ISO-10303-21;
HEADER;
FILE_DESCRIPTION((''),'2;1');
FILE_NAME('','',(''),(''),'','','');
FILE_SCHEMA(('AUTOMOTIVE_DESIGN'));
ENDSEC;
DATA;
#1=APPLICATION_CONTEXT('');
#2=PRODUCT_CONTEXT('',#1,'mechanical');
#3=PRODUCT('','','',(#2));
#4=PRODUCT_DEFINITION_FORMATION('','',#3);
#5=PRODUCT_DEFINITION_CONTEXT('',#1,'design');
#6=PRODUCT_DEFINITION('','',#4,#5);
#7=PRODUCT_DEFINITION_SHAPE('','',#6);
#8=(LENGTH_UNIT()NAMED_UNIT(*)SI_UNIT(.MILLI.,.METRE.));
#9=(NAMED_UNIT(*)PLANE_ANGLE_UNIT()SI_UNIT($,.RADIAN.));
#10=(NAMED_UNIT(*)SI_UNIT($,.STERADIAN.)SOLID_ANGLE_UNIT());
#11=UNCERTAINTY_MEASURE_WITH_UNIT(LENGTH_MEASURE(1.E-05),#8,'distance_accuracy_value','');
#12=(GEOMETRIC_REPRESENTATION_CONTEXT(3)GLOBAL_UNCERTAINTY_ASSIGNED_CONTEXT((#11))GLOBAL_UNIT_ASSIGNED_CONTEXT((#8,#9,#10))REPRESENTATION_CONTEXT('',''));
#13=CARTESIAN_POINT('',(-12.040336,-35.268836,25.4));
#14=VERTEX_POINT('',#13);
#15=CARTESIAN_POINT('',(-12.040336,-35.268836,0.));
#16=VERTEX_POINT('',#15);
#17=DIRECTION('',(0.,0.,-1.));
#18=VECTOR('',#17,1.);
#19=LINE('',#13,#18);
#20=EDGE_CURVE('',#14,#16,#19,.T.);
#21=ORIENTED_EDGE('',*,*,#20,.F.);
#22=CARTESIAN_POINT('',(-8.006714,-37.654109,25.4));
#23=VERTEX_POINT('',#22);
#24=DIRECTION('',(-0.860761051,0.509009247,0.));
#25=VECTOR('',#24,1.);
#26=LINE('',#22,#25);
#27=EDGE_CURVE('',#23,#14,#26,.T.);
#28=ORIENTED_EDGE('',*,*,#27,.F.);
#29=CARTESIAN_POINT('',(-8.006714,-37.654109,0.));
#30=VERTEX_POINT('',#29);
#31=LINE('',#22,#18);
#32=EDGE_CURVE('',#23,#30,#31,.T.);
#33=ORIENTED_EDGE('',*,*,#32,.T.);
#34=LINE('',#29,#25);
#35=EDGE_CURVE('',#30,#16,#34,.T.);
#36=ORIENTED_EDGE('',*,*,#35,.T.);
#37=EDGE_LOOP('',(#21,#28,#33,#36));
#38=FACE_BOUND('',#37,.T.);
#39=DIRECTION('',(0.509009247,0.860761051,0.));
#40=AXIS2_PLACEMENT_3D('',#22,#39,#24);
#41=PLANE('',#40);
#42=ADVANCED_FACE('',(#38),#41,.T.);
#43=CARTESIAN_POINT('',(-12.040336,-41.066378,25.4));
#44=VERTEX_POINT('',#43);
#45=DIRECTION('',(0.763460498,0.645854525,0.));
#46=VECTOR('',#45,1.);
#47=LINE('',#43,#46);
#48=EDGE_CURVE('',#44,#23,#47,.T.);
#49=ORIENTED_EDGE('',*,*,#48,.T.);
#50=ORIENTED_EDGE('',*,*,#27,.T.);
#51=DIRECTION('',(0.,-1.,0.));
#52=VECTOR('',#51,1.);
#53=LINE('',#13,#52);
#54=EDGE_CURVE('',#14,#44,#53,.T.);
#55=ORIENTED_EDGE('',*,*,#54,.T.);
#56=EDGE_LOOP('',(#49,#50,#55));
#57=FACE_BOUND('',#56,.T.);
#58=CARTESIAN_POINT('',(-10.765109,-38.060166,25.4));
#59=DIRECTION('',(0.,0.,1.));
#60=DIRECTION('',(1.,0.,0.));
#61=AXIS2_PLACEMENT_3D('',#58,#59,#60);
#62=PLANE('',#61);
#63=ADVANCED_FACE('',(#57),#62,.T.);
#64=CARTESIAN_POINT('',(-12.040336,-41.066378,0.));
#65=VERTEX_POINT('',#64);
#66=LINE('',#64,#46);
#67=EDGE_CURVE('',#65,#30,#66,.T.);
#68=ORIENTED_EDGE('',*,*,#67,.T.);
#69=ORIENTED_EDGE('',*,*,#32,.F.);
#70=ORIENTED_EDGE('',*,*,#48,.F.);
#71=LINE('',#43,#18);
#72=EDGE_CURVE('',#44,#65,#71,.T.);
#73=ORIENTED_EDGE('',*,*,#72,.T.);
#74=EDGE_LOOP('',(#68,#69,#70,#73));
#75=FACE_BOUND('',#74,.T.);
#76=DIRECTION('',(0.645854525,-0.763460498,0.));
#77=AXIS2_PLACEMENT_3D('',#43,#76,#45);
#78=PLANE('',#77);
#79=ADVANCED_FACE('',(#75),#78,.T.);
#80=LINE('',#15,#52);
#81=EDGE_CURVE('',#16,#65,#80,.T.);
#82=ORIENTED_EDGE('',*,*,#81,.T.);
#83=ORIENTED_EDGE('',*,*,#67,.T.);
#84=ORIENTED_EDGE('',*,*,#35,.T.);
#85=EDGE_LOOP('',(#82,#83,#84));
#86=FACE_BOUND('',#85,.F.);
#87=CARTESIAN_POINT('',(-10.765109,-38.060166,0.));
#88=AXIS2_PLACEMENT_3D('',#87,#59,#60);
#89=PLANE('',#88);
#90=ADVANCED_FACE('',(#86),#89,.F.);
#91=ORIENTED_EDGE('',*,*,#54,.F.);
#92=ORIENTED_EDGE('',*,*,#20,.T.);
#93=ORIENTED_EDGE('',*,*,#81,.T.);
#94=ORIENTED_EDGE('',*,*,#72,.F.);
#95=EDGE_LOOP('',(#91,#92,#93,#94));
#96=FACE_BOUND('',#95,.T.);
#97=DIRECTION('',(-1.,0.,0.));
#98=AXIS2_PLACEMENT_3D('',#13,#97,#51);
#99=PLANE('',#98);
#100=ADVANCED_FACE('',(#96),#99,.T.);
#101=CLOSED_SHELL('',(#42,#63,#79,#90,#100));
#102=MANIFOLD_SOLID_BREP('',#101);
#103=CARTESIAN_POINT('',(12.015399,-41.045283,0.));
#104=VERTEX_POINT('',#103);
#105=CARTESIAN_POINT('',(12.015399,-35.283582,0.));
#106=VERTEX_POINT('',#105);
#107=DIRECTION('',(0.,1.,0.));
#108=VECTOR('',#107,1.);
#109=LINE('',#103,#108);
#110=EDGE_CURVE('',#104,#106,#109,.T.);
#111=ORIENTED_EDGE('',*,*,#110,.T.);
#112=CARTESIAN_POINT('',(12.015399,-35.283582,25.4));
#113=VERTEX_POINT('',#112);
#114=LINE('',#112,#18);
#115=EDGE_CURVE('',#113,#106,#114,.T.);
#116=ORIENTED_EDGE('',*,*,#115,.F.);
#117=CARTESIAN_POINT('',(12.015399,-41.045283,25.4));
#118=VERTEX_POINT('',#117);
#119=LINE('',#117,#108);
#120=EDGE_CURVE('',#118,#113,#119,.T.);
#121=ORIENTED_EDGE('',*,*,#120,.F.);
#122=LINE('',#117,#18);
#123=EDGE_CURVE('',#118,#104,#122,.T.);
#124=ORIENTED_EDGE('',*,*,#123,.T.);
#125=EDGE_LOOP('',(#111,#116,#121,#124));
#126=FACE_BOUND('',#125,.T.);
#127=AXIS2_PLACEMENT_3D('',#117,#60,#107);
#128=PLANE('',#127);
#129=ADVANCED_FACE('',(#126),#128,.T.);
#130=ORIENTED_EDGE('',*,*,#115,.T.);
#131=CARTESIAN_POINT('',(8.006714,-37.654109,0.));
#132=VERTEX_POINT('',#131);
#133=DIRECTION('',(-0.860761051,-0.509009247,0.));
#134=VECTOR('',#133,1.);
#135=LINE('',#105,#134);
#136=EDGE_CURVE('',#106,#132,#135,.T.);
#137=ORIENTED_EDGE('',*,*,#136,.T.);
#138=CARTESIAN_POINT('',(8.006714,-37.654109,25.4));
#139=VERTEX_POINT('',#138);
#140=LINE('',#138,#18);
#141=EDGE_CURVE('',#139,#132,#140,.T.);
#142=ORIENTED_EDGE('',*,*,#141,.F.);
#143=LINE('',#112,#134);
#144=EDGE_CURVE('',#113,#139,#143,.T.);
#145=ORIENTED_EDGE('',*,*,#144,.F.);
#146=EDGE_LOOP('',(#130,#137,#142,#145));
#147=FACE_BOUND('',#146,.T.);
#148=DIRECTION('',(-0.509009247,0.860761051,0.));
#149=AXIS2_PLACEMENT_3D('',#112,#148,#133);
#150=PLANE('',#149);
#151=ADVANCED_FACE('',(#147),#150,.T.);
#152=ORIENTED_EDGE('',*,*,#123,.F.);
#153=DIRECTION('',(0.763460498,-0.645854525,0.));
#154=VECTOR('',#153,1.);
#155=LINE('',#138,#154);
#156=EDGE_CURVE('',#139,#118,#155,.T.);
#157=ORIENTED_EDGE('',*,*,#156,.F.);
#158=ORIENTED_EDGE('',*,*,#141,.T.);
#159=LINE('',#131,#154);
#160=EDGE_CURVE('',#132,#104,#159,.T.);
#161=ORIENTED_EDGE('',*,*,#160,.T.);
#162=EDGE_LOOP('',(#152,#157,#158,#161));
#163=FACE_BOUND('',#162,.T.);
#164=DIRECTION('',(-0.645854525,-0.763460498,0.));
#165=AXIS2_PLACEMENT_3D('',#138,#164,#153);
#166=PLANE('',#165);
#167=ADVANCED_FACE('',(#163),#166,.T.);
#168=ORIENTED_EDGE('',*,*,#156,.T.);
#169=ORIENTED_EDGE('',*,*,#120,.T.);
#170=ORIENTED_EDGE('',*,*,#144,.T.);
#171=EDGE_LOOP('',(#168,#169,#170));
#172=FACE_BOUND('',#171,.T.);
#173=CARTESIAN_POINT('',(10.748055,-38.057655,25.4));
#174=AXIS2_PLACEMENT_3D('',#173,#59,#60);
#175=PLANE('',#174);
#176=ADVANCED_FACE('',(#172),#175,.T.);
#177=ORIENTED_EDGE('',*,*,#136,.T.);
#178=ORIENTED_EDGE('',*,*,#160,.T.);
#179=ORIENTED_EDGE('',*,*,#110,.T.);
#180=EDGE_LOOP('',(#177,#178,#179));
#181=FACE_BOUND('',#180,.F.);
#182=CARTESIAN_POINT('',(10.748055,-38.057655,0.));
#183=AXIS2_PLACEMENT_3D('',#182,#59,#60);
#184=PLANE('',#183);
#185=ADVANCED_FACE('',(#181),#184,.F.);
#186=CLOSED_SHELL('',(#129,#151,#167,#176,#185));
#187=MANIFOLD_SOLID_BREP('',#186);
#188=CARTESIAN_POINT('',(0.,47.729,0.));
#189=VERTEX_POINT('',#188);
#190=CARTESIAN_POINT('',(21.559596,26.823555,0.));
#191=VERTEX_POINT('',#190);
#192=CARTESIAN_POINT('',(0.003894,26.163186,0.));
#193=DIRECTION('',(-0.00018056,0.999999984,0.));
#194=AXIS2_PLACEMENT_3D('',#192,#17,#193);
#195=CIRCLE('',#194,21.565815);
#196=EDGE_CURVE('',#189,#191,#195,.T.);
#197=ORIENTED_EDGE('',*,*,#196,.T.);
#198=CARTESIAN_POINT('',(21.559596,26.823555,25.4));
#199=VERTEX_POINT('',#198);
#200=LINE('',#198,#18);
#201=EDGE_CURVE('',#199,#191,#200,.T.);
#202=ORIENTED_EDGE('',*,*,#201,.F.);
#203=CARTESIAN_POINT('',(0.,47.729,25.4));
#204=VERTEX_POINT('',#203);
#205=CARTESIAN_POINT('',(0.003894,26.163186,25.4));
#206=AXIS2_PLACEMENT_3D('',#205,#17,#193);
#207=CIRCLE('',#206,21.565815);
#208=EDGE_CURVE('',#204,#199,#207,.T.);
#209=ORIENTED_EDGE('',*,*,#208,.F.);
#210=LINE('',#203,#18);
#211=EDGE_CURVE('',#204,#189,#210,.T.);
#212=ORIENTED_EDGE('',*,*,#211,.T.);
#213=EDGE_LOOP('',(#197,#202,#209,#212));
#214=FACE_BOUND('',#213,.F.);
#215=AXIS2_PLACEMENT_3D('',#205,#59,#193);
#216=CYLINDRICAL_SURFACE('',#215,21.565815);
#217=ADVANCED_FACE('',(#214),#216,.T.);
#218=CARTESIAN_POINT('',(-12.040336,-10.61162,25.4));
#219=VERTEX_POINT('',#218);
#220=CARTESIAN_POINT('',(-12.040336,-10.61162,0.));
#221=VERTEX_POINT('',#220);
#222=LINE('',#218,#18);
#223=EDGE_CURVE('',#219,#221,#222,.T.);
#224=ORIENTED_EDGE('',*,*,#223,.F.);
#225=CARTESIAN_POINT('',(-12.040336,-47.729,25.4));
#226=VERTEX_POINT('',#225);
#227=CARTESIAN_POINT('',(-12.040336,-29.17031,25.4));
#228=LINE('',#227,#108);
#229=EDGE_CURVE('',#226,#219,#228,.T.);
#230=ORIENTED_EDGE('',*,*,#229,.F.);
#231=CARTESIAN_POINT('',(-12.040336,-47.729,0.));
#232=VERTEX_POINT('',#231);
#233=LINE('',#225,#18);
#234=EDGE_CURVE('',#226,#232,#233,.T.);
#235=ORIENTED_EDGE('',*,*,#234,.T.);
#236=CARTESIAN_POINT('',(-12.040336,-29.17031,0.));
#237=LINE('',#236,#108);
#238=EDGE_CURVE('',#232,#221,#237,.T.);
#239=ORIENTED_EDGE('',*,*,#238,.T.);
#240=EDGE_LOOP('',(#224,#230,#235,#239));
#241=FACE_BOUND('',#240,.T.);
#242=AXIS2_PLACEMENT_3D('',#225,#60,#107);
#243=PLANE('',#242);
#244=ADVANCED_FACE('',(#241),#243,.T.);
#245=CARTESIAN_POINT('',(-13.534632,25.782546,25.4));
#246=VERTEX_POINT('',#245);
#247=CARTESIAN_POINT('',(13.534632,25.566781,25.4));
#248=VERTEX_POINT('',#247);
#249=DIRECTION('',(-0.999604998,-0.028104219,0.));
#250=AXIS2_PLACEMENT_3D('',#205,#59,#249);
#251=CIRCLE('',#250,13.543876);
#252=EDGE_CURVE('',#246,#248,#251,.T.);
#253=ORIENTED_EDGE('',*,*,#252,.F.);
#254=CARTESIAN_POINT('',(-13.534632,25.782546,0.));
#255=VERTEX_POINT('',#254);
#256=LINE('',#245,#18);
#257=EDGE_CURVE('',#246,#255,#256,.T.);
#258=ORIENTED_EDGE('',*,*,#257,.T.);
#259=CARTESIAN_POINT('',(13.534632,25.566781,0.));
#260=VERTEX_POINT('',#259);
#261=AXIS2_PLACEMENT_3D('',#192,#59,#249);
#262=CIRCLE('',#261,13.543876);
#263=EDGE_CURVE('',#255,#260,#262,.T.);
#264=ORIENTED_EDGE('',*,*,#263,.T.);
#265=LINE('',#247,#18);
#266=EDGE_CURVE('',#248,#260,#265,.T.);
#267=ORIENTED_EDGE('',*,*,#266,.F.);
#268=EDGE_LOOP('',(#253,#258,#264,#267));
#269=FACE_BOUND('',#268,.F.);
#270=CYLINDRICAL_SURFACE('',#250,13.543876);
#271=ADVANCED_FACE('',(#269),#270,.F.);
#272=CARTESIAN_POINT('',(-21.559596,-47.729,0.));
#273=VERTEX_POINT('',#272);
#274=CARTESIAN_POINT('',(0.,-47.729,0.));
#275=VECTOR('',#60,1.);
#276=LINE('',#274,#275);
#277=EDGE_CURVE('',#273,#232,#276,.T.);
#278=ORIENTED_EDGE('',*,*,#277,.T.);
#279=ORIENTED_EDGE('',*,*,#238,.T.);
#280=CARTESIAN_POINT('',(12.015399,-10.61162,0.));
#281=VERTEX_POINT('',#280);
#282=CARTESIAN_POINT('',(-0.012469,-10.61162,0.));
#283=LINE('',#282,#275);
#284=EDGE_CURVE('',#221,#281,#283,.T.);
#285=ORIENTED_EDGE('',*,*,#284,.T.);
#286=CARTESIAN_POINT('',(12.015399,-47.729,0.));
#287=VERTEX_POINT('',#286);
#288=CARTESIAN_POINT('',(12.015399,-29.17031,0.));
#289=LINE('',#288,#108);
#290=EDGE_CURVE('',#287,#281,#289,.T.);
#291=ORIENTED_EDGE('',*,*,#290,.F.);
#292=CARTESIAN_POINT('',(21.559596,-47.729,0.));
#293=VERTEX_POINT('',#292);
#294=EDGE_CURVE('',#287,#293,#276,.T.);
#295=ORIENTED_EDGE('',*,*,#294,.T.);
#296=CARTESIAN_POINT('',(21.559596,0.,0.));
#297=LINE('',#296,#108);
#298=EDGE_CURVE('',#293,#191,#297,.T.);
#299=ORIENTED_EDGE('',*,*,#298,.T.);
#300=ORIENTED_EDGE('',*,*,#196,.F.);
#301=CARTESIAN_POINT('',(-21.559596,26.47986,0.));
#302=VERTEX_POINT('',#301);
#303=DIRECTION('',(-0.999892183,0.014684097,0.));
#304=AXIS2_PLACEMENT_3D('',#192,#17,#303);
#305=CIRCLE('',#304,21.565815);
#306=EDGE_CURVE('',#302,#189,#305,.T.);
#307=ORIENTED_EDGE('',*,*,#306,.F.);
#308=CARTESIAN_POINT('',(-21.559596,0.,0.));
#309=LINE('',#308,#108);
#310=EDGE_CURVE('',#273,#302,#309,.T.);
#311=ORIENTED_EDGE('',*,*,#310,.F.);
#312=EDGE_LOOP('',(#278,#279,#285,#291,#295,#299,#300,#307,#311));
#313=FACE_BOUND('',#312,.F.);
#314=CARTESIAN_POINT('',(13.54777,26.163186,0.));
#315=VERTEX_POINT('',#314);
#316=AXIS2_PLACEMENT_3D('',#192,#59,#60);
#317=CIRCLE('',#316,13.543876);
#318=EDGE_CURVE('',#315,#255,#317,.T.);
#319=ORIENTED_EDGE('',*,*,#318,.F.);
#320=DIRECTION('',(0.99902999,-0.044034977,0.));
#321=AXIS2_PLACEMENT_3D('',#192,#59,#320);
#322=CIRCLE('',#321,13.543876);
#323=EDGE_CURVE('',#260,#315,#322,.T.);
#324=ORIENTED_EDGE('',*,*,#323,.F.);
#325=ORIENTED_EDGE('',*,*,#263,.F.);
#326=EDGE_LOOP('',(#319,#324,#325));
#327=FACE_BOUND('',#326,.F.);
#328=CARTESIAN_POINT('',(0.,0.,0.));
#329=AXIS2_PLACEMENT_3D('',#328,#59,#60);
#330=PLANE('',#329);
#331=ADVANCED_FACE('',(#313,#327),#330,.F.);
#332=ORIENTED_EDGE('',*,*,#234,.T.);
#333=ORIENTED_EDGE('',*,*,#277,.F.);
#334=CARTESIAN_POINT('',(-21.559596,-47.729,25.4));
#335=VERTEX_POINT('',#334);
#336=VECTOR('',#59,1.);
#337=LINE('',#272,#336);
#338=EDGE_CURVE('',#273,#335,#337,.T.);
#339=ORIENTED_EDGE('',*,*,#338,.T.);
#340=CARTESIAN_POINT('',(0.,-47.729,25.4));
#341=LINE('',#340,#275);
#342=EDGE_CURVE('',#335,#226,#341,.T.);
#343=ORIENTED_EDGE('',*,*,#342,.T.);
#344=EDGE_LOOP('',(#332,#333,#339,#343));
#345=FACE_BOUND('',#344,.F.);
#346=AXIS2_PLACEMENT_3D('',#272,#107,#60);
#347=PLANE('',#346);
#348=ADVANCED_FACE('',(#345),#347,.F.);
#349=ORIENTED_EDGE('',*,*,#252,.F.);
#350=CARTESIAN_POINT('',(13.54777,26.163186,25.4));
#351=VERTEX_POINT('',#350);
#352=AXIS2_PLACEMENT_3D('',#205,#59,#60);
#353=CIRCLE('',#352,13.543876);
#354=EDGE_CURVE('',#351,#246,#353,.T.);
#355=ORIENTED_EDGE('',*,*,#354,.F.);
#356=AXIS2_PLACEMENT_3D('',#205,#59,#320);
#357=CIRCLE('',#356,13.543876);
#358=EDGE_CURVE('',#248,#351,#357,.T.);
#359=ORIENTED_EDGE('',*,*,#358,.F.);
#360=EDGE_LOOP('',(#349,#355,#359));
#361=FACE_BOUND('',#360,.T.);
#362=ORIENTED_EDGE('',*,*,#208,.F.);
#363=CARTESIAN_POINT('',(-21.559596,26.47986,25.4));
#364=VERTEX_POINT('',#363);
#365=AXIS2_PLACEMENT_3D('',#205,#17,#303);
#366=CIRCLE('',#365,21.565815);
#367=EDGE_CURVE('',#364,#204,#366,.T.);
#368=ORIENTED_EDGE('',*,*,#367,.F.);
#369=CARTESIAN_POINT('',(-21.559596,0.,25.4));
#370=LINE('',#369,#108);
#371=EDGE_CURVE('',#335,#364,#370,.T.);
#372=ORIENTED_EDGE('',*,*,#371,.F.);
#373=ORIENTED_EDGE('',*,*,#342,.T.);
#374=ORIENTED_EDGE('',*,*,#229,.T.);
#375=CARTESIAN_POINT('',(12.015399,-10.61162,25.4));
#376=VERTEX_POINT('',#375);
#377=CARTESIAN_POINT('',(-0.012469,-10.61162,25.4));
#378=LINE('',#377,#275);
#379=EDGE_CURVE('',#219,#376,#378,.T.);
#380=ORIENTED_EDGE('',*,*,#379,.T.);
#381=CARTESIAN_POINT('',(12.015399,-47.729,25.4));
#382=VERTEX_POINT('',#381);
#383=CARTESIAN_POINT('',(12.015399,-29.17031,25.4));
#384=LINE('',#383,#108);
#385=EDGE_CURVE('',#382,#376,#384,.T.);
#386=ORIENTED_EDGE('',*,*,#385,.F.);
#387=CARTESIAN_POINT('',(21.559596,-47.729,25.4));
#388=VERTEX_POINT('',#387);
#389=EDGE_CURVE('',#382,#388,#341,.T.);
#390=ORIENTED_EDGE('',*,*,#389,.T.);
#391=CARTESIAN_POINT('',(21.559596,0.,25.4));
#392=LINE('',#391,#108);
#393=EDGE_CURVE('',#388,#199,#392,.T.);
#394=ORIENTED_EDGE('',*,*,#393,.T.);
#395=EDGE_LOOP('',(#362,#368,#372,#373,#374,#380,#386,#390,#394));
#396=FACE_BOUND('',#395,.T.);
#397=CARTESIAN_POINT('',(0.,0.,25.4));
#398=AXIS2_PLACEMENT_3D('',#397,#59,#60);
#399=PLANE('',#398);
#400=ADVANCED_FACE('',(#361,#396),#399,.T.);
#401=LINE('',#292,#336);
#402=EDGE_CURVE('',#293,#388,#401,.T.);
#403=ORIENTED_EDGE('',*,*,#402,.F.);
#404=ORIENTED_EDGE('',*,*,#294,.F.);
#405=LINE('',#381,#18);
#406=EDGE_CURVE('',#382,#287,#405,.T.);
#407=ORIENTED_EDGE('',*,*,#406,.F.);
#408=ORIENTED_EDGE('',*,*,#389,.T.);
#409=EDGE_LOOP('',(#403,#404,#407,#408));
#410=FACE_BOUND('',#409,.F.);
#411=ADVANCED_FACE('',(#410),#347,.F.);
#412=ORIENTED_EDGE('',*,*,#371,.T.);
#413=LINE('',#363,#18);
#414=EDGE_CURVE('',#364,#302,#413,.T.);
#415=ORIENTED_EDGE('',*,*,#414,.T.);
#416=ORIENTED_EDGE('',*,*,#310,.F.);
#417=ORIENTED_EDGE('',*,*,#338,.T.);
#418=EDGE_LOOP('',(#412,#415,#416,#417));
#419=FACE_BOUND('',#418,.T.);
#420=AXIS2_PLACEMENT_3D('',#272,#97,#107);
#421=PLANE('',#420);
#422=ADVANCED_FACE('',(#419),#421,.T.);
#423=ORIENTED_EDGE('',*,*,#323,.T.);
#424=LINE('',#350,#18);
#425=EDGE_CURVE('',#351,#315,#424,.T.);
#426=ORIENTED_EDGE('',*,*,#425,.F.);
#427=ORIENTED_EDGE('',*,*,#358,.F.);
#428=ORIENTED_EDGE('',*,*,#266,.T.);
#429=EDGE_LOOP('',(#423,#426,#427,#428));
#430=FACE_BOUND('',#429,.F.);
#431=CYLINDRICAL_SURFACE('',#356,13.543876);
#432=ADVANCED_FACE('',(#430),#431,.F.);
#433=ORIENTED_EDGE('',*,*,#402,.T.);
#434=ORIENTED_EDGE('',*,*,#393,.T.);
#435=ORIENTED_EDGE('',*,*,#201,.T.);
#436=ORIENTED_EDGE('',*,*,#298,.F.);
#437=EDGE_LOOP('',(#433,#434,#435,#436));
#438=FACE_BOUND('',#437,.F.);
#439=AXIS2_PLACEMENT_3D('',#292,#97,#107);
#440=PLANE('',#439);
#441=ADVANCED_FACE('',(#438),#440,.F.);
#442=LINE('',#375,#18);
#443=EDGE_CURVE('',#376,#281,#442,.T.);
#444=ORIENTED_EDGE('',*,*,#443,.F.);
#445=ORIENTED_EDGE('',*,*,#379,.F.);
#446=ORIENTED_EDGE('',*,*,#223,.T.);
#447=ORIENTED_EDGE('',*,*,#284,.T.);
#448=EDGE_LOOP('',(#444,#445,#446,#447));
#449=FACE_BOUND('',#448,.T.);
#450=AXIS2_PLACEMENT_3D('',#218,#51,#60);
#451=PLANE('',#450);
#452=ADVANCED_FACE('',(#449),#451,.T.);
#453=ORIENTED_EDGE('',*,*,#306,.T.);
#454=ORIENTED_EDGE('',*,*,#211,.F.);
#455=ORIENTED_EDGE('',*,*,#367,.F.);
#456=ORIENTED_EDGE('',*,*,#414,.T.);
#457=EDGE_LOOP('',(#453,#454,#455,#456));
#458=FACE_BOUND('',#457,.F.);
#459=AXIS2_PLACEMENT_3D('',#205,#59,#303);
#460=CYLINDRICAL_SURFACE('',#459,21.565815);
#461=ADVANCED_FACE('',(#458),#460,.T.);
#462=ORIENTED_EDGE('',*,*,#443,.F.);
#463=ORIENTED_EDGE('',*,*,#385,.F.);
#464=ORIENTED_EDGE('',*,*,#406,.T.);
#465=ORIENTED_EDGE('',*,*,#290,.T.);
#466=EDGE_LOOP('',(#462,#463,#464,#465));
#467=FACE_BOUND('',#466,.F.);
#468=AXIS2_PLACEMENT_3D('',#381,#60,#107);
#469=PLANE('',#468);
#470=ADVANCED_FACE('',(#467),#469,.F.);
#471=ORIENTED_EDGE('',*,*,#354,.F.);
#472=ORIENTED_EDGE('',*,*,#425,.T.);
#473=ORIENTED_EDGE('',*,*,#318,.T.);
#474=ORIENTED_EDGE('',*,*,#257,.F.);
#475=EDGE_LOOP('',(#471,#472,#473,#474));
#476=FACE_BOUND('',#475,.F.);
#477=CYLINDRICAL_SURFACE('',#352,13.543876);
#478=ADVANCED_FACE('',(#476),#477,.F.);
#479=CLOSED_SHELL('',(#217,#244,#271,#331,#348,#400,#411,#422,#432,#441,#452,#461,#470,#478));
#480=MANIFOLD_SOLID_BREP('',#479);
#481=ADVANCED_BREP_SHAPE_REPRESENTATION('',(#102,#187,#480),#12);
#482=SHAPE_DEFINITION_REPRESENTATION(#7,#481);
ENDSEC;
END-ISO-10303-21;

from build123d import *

# Parameters (mm, degrees)
F0_W     = 43.1191921234
F0_H     = 95.4580008984
F1_DEPTH = 25.4
F2_W     = 24.0557342768
F2_H     = 37.1173806489
F3_DEPTH = 25.4
F5_DEPTH = 25.4
F7_DEPTH = 25.4


with BuildPart() as f1:
    # F0 (on Top) → F1 (new body)
    with BuildSketch(Plane.XY):
        Rectangle(F0_W, F0_H)
    extrude(amount=F1_DEPTH)

    # F2 (on face) → F3 (cut)
    with BuildSketch(Plane.XY.offset(25.4)):
        with Locations((-0.0124685466, -29.1703101248)):
            Rectangle(F2_W, F2_H)
    extrude(amount=-F3_DEPTH, mode=Mode.SUBTRACT)

    # F4 (on face) → F5 (cut)
    with BuildSketch(Plane.XY.offset(25.4)):
        with BuildLine():
            Line((-21.5595960617, 47.7290004492), (-21.5595960617, 26.4798601785))
            ThreePointArc((-21.5595960617, 26.4798601785), (-15.1344515192, 41.5227064888), (0, 47.7290004492))
            Line((0, 47.7290004492), (-21.5595960617, 47.7290004492))
        make_face()
        with BuildLine():
            Line((21.5595960617, 47.7290004492), (0, 47.7290004492))
            ThreePointArc((0, 47.7290004492), (15.0165391551, 41.6455907019), (21.5595960617, 26.8235554615))
            Line((21.5595960617, 26.8235554615), (21.5595960617, 47.7290004492))
        make_face()
        with BuildLine():
            ThreePointArc((13.5477701598, 26.163185652), (-0.1864449052, 39.7057243609), (-13.5346324637, 25.7825455919))
            Line((-13.5346324637, 25.7825455919), (13.5346324637, 25.5667813763))
            ThreePointArc((13.5346324637, 25.5667813763), (13.5444853375, 25.8649111731), (13.5477701598, 26.163185652))
        make_face()
        with BuildLine():
            Line((13.5346324637, 25.5667813763), (-13.5346324637, 25.7825455919))
            ThreePointArc((-13.5346324637, 25.7825455919), (-0.1040584372, 12.6197396416), (13.5346324637, 25.5667813763))
        make_face()
    extrude(amount=-F5_DEPTH, mode=Mode.SUBTRACT)


with BuildPart() as f7:
    # F6 (on face) → F7 (new body)
    with BuildSketch(Plane.XY.offset(25.4)):
        Polygon((-12.040335685, -35.2688357234), (-12.040335685, -41.066378355), (-8.0067142844, -37.6541092992), align=None)
    extrude(amount=-F7_DEPTH)


with BuildPart() as f7b:
    # F6 (on face) → F7, piece 2 (new body)
    with BuildSketch(Plane.XY.offset(25.4)):
        Polygon((12.0153985918, -41.0452826539), (12.0153985918, -35.2835822213), (8.0067142844, -37.6541092992), align=None)
    extrude(amount=-F7_DEPTH)


solid = Compound([f1.part, f7.part, f7b.part])
